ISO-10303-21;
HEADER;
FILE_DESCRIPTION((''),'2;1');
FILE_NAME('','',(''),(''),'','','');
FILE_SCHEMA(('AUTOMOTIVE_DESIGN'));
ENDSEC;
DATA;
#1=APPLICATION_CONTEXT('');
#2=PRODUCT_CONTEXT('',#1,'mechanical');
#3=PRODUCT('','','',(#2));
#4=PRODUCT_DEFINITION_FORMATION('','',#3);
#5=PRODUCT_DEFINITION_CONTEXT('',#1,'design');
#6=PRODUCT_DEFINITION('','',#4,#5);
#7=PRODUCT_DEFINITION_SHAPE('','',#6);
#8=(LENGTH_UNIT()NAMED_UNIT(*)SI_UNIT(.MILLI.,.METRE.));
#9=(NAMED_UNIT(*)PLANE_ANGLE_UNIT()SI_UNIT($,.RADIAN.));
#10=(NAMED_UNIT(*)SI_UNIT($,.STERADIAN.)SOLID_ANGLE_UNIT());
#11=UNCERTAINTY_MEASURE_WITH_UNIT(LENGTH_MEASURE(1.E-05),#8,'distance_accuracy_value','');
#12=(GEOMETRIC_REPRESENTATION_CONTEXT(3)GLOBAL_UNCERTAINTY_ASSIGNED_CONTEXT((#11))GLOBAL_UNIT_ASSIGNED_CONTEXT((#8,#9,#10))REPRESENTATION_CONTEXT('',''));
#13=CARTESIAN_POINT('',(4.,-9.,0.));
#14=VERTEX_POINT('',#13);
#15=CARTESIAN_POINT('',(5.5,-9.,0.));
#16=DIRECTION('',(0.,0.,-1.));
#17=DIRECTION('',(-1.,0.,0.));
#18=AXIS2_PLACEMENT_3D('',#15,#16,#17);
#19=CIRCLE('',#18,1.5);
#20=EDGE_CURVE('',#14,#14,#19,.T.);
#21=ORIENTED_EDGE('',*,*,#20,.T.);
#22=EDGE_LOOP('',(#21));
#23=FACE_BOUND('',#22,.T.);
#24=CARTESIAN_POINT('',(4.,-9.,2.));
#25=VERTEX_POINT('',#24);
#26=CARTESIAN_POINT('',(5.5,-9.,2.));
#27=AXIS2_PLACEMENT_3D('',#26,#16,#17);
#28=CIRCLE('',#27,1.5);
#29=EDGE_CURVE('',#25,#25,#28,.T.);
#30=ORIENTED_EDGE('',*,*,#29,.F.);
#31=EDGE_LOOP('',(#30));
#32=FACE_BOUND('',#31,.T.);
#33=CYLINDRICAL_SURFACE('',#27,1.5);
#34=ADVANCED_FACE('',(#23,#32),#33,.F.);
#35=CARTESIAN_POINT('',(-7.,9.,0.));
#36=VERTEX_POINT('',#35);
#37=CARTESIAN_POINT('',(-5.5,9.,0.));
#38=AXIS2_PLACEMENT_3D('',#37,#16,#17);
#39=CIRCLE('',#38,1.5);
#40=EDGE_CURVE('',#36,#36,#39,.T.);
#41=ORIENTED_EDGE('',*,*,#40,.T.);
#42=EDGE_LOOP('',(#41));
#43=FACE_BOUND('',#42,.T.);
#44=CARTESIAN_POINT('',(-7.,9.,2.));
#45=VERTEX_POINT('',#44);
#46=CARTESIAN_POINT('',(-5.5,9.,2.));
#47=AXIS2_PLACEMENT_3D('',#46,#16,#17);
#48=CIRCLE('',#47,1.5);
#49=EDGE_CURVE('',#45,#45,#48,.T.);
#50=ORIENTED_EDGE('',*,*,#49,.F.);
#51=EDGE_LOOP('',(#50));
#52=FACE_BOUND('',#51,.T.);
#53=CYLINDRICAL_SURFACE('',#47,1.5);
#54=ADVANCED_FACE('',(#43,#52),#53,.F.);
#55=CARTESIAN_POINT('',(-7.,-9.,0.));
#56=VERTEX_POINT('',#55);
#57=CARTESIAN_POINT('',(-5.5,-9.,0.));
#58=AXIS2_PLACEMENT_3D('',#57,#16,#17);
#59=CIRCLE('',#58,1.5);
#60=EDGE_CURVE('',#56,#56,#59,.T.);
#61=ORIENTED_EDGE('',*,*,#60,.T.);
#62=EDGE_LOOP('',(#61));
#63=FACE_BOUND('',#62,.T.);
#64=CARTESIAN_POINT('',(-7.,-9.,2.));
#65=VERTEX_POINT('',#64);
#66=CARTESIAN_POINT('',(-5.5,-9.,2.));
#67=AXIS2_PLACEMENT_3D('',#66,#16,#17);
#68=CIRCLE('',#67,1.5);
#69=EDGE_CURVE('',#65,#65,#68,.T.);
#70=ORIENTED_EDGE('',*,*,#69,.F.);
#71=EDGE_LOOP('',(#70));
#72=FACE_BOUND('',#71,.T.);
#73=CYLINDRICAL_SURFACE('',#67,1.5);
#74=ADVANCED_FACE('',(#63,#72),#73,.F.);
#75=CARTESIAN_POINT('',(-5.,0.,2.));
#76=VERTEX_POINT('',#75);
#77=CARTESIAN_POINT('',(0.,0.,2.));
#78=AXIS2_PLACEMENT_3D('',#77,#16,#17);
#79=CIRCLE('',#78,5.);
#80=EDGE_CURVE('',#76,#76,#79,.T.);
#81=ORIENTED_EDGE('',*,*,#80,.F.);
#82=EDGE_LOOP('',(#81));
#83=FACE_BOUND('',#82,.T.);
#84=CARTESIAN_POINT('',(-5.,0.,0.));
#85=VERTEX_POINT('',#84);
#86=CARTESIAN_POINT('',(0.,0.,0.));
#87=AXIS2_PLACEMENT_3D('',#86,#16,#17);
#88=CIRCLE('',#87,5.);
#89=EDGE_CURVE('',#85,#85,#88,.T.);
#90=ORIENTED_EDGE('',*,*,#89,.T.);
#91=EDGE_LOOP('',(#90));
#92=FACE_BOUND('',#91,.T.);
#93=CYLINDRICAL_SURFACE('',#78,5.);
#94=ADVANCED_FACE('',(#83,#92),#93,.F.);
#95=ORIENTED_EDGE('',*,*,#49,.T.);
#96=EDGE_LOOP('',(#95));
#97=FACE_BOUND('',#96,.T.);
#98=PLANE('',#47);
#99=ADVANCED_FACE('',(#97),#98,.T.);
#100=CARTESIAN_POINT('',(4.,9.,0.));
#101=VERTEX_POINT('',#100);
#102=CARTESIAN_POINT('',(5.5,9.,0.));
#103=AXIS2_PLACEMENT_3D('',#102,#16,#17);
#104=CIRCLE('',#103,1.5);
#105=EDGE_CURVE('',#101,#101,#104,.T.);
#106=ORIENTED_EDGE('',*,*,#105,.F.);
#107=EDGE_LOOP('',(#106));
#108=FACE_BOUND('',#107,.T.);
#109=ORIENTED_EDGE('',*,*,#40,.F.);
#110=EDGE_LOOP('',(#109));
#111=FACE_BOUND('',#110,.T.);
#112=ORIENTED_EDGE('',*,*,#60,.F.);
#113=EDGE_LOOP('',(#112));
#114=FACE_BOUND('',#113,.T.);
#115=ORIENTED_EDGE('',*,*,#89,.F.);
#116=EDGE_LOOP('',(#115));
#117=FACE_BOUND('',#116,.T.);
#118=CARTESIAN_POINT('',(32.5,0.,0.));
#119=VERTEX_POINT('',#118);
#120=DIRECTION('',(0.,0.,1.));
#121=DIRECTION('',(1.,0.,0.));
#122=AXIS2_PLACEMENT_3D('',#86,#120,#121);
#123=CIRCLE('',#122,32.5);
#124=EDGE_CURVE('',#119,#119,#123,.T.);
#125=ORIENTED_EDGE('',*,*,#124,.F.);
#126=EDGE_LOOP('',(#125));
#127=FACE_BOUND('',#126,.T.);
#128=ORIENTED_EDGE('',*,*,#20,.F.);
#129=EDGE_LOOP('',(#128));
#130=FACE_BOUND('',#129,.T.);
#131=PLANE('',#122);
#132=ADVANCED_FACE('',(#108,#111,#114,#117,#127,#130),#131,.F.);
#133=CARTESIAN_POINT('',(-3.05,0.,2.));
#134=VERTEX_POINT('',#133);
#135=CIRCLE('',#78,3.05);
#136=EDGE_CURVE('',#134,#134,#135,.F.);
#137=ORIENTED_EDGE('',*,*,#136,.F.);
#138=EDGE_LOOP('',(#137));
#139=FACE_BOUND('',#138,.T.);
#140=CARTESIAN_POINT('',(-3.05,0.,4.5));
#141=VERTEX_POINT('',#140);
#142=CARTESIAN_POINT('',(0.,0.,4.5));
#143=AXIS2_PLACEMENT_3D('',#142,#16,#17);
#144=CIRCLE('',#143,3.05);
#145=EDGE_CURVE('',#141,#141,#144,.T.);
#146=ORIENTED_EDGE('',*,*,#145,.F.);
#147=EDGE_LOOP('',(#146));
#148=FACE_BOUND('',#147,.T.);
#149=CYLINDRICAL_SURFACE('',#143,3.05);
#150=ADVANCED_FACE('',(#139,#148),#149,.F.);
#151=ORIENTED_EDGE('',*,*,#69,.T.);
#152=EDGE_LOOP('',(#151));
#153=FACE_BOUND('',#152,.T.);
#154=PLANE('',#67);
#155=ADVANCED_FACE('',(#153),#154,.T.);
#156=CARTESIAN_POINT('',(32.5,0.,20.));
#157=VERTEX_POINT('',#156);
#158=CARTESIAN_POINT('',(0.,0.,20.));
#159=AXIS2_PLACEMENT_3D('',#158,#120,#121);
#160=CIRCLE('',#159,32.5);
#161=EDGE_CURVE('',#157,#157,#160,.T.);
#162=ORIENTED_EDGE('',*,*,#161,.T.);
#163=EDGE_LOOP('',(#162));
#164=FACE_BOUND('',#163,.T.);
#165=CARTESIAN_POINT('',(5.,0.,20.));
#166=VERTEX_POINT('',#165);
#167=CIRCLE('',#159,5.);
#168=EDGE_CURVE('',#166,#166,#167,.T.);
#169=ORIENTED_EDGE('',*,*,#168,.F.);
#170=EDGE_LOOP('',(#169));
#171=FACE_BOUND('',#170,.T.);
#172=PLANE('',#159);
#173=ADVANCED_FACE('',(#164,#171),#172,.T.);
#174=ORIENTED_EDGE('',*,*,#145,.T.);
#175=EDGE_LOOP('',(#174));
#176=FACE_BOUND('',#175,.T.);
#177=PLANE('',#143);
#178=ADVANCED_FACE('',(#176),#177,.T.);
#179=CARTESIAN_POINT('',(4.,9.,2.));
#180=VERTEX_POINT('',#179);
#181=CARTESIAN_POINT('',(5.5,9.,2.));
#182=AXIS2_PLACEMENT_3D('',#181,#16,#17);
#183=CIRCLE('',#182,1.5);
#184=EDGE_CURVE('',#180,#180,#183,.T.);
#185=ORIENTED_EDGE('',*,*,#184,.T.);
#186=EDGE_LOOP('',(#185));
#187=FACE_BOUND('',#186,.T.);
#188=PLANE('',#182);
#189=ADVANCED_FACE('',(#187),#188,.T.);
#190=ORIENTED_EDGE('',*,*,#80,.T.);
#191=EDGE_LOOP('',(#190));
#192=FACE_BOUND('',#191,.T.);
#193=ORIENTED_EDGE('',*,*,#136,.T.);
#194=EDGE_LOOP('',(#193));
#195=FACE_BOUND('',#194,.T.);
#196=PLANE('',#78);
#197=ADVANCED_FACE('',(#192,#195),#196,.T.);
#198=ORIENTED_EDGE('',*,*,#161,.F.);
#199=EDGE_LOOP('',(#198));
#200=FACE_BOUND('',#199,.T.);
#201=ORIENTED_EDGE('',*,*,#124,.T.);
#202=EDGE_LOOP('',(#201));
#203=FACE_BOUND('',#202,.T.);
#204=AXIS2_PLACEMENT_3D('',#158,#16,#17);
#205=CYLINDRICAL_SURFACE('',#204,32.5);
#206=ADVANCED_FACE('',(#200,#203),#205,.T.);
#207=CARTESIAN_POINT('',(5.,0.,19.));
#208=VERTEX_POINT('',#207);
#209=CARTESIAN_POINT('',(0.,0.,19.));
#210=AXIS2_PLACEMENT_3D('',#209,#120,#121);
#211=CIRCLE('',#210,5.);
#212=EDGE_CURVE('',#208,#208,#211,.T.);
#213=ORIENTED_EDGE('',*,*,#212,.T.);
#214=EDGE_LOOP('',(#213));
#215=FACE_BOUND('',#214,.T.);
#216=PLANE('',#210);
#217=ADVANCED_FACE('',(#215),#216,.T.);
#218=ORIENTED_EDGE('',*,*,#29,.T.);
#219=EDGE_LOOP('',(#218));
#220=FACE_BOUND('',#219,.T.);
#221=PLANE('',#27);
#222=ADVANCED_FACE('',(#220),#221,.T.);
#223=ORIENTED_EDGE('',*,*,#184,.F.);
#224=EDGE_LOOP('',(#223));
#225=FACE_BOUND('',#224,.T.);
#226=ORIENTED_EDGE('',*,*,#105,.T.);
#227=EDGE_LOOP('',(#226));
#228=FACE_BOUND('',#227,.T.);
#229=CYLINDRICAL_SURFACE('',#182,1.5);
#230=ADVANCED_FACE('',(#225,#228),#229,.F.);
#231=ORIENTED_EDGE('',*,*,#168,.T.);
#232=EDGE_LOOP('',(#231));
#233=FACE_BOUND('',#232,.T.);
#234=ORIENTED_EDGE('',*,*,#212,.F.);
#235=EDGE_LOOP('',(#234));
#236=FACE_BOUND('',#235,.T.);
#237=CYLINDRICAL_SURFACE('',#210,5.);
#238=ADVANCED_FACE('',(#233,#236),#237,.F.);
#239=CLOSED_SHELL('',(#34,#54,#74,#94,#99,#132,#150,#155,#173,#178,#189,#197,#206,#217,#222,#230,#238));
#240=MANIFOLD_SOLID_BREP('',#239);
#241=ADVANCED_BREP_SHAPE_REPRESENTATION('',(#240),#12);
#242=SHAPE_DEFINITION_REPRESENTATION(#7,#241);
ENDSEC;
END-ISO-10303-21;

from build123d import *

# Parameters (mm, degrees)
SKETCH1_R           = 32.5
BOSS_EXTRUDE1_DEPTH = 20
SKETCH2_R           = 5
CUT_EXTRUDE1_DEPTH  = 1
SKETCH4_R           = 3.05
CUT_EXTRUDE2_DEPTH  = 4.5
SKETCH3_R           = 1.5
CUT_EXTRUDE3_DEPTH  = 2
CUT_EXTRUDE4_START  = -2
SKETCH5_R           = 5
CUT_EXTRUDE4_DEPTH  = 2


with BuildPart() as part:
    # Sketch1 → Boss-Extrude1 (new body)
    with BuildSketch(Plane.XY):
        Circle(SKETCH1_R)
    extrude(amount=BOSS_EXTRUDE1_DEPTH)

    # Sketch2 → Cut-Extrude1 (cut)
    with BuildSketch(Plane.XY.offset(20)):
        Circle(SKETCH2_R)
    extrude(amount=-CUT_EXTRUDE1_DEPTH, mode=Mode.SUBTRACT)

    # Sketch4 → Cut-Extrude2 (cut)
    with BuildSketch(Plane(origin=(0, 0, 0), x_dir=(-1, 0, 0), z_dir=(0, 0, -1))):
        Circle(SKETCH4_R)
    extrude(amount=-CUT_EXTRUDE2_DEPTH, mode=Mode.SUBTRACT)

    # Sketch3 → Cut-Extrude3 (cut)
    with BuildSketch(Plane(origin=(0, 0, 0), x_dir=(-1, 0, 0), z_dir=(0, 0, -1))):
        with Locations((5.5, 9)):
            Circle(SKETCH3_R)
        with Locations((-5.5, 9)):
            Circle(SKETCH3_R)
        with Locations((5.5, -9)):
            Circle(SKETCH3_R)
        with Locations((-5.5, -9)):
            Circle(SKETCH3_R)
    extrude(amount=-CUT_EXTRUDE3_DEPTH, mode=Mode.SUBTRACT)

    # Sketch5 → Cut-Extrude4 (cut)
    with BuildSketch(Plane(origin=(0, 0, 0), x_dir=(-1, 0, 0), z_dir=(0, 0, -1)).offset(CUT_EXTRUDE4_START)):
        with Locations(Location((0, 0, 0), (0, 0, 180))):
            Circle(SKETCH5_R)
    extrude(amount=CUT_EXTRUDE4_DEPTH, mode=Mode.SUBTRACT)


solid = part.part
